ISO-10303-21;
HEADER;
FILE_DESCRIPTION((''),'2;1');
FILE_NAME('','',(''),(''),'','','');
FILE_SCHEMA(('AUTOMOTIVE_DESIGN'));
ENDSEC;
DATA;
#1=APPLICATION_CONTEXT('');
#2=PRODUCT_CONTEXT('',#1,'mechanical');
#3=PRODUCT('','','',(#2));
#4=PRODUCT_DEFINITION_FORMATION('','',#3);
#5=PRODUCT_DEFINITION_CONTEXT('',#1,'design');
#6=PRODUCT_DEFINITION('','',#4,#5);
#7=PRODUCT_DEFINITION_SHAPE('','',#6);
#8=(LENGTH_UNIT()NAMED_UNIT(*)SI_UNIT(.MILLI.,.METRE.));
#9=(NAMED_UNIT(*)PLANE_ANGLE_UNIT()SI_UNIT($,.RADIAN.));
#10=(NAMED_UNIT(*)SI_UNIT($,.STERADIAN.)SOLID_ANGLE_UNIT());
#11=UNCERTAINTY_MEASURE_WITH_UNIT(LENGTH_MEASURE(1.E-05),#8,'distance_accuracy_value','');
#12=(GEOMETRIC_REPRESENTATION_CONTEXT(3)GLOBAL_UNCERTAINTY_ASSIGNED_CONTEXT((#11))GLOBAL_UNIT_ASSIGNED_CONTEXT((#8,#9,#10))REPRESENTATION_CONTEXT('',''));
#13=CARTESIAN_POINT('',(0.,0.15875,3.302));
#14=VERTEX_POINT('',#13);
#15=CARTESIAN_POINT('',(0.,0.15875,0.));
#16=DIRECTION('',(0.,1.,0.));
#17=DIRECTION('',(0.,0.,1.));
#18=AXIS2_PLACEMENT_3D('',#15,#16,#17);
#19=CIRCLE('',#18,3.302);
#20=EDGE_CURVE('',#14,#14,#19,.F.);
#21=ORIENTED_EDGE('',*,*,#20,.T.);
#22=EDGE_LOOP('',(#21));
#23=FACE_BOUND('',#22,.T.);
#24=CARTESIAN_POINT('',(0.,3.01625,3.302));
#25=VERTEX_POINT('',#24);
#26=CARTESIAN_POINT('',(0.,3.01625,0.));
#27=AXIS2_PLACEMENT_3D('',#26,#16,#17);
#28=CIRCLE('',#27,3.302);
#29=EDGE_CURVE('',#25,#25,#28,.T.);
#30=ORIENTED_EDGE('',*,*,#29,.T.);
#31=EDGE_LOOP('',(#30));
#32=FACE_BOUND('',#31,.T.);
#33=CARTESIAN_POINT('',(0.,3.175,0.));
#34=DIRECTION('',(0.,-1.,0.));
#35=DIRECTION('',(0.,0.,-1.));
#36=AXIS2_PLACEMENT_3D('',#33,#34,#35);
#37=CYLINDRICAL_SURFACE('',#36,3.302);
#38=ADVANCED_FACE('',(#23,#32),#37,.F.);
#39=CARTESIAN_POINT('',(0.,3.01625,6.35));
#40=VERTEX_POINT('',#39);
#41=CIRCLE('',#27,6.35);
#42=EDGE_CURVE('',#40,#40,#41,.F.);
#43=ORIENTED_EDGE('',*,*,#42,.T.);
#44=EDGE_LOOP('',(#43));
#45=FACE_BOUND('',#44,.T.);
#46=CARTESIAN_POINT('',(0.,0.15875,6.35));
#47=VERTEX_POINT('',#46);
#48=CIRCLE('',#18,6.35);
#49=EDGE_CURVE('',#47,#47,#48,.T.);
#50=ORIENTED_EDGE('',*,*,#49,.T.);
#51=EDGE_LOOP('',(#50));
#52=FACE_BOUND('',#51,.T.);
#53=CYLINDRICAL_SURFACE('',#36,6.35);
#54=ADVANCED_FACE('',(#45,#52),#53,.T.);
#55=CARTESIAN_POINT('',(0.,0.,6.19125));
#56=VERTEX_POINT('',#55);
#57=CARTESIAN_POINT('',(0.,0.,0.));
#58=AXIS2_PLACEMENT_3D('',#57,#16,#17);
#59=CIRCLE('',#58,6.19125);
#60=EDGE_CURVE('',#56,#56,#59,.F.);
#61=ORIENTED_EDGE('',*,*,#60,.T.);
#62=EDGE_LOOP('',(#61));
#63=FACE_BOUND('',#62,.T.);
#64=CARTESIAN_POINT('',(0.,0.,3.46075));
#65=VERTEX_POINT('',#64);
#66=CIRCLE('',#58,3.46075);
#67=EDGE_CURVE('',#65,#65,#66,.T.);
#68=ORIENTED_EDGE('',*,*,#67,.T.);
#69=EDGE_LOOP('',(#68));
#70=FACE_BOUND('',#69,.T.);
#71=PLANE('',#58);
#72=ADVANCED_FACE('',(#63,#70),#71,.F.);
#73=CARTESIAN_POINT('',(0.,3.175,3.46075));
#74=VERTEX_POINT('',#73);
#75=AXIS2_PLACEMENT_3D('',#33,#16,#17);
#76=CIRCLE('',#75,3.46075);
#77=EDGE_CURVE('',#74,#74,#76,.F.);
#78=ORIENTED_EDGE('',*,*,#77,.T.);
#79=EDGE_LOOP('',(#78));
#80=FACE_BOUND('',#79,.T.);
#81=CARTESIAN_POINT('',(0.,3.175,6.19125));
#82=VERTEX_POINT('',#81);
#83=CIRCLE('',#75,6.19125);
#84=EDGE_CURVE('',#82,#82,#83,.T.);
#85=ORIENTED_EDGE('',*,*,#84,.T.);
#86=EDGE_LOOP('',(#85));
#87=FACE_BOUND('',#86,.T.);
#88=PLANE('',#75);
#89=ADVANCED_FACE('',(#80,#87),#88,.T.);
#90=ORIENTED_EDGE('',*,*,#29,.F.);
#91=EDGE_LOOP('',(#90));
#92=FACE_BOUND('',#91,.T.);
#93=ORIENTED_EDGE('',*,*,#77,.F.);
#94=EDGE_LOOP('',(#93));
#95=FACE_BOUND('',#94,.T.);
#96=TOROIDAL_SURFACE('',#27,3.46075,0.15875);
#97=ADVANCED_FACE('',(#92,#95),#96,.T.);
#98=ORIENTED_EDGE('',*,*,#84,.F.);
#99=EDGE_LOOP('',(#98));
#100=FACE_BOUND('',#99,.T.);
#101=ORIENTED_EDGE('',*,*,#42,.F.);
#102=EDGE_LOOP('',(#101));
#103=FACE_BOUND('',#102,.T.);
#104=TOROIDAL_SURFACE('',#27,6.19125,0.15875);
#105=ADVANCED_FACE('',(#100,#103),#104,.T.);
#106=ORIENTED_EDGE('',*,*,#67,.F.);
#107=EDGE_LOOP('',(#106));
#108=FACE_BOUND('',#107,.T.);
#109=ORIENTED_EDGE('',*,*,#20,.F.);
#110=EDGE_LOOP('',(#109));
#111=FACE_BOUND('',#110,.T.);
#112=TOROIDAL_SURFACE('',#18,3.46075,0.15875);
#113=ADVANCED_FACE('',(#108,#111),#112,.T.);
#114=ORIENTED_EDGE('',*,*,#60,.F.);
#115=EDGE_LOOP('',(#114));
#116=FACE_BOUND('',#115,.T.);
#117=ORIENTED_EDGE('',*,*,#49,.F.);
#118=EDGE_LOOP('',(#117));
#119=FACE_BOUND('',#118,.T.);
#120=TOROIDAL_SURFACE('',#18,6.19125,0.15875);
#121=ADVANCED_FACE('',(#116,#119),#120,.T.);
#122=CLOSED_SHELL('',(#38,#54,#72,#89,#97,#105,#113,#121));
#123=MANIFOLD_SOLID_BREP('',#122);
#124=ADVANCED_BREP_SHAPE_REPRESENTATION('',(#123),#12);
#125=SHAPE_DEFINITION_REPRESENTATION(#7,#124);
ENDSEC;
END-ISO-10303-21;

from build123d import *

# Parameters (mm, degrees)
SKETCH2_R    = 6.35
SKETCH2_R_2  = 3.302
SPACER_DEPTH = 3.175
FILLET_2_R   = 0.15875


with BuildPart() as part:
    # Sketch2 → Spacer (new body)
    with BuildSketch(Plane(origin=(0, 0, 0), x_dir=(1, 0, 0), z_dir=(0, 1, 0))):
        Circle(SKETCH2_R)
        Circle(SKETCH2_R_2, mode=Mode.SUBTRACT)
    extrude(amount=SPACER_DEPTH)

    # Fillet 2
    fillet_2_edges = [part.edges().sort_by_distance(p)[0] for p in [
        (-6.35, 0, 0),
        (-6.35, 3.175, 0),
        (-3.302, 0, 0),
        (-3.302, 3.175, 0),
    ]]
    fillet(fillet_2_edges, radius=FILLET_2_R)


solid = part.part
